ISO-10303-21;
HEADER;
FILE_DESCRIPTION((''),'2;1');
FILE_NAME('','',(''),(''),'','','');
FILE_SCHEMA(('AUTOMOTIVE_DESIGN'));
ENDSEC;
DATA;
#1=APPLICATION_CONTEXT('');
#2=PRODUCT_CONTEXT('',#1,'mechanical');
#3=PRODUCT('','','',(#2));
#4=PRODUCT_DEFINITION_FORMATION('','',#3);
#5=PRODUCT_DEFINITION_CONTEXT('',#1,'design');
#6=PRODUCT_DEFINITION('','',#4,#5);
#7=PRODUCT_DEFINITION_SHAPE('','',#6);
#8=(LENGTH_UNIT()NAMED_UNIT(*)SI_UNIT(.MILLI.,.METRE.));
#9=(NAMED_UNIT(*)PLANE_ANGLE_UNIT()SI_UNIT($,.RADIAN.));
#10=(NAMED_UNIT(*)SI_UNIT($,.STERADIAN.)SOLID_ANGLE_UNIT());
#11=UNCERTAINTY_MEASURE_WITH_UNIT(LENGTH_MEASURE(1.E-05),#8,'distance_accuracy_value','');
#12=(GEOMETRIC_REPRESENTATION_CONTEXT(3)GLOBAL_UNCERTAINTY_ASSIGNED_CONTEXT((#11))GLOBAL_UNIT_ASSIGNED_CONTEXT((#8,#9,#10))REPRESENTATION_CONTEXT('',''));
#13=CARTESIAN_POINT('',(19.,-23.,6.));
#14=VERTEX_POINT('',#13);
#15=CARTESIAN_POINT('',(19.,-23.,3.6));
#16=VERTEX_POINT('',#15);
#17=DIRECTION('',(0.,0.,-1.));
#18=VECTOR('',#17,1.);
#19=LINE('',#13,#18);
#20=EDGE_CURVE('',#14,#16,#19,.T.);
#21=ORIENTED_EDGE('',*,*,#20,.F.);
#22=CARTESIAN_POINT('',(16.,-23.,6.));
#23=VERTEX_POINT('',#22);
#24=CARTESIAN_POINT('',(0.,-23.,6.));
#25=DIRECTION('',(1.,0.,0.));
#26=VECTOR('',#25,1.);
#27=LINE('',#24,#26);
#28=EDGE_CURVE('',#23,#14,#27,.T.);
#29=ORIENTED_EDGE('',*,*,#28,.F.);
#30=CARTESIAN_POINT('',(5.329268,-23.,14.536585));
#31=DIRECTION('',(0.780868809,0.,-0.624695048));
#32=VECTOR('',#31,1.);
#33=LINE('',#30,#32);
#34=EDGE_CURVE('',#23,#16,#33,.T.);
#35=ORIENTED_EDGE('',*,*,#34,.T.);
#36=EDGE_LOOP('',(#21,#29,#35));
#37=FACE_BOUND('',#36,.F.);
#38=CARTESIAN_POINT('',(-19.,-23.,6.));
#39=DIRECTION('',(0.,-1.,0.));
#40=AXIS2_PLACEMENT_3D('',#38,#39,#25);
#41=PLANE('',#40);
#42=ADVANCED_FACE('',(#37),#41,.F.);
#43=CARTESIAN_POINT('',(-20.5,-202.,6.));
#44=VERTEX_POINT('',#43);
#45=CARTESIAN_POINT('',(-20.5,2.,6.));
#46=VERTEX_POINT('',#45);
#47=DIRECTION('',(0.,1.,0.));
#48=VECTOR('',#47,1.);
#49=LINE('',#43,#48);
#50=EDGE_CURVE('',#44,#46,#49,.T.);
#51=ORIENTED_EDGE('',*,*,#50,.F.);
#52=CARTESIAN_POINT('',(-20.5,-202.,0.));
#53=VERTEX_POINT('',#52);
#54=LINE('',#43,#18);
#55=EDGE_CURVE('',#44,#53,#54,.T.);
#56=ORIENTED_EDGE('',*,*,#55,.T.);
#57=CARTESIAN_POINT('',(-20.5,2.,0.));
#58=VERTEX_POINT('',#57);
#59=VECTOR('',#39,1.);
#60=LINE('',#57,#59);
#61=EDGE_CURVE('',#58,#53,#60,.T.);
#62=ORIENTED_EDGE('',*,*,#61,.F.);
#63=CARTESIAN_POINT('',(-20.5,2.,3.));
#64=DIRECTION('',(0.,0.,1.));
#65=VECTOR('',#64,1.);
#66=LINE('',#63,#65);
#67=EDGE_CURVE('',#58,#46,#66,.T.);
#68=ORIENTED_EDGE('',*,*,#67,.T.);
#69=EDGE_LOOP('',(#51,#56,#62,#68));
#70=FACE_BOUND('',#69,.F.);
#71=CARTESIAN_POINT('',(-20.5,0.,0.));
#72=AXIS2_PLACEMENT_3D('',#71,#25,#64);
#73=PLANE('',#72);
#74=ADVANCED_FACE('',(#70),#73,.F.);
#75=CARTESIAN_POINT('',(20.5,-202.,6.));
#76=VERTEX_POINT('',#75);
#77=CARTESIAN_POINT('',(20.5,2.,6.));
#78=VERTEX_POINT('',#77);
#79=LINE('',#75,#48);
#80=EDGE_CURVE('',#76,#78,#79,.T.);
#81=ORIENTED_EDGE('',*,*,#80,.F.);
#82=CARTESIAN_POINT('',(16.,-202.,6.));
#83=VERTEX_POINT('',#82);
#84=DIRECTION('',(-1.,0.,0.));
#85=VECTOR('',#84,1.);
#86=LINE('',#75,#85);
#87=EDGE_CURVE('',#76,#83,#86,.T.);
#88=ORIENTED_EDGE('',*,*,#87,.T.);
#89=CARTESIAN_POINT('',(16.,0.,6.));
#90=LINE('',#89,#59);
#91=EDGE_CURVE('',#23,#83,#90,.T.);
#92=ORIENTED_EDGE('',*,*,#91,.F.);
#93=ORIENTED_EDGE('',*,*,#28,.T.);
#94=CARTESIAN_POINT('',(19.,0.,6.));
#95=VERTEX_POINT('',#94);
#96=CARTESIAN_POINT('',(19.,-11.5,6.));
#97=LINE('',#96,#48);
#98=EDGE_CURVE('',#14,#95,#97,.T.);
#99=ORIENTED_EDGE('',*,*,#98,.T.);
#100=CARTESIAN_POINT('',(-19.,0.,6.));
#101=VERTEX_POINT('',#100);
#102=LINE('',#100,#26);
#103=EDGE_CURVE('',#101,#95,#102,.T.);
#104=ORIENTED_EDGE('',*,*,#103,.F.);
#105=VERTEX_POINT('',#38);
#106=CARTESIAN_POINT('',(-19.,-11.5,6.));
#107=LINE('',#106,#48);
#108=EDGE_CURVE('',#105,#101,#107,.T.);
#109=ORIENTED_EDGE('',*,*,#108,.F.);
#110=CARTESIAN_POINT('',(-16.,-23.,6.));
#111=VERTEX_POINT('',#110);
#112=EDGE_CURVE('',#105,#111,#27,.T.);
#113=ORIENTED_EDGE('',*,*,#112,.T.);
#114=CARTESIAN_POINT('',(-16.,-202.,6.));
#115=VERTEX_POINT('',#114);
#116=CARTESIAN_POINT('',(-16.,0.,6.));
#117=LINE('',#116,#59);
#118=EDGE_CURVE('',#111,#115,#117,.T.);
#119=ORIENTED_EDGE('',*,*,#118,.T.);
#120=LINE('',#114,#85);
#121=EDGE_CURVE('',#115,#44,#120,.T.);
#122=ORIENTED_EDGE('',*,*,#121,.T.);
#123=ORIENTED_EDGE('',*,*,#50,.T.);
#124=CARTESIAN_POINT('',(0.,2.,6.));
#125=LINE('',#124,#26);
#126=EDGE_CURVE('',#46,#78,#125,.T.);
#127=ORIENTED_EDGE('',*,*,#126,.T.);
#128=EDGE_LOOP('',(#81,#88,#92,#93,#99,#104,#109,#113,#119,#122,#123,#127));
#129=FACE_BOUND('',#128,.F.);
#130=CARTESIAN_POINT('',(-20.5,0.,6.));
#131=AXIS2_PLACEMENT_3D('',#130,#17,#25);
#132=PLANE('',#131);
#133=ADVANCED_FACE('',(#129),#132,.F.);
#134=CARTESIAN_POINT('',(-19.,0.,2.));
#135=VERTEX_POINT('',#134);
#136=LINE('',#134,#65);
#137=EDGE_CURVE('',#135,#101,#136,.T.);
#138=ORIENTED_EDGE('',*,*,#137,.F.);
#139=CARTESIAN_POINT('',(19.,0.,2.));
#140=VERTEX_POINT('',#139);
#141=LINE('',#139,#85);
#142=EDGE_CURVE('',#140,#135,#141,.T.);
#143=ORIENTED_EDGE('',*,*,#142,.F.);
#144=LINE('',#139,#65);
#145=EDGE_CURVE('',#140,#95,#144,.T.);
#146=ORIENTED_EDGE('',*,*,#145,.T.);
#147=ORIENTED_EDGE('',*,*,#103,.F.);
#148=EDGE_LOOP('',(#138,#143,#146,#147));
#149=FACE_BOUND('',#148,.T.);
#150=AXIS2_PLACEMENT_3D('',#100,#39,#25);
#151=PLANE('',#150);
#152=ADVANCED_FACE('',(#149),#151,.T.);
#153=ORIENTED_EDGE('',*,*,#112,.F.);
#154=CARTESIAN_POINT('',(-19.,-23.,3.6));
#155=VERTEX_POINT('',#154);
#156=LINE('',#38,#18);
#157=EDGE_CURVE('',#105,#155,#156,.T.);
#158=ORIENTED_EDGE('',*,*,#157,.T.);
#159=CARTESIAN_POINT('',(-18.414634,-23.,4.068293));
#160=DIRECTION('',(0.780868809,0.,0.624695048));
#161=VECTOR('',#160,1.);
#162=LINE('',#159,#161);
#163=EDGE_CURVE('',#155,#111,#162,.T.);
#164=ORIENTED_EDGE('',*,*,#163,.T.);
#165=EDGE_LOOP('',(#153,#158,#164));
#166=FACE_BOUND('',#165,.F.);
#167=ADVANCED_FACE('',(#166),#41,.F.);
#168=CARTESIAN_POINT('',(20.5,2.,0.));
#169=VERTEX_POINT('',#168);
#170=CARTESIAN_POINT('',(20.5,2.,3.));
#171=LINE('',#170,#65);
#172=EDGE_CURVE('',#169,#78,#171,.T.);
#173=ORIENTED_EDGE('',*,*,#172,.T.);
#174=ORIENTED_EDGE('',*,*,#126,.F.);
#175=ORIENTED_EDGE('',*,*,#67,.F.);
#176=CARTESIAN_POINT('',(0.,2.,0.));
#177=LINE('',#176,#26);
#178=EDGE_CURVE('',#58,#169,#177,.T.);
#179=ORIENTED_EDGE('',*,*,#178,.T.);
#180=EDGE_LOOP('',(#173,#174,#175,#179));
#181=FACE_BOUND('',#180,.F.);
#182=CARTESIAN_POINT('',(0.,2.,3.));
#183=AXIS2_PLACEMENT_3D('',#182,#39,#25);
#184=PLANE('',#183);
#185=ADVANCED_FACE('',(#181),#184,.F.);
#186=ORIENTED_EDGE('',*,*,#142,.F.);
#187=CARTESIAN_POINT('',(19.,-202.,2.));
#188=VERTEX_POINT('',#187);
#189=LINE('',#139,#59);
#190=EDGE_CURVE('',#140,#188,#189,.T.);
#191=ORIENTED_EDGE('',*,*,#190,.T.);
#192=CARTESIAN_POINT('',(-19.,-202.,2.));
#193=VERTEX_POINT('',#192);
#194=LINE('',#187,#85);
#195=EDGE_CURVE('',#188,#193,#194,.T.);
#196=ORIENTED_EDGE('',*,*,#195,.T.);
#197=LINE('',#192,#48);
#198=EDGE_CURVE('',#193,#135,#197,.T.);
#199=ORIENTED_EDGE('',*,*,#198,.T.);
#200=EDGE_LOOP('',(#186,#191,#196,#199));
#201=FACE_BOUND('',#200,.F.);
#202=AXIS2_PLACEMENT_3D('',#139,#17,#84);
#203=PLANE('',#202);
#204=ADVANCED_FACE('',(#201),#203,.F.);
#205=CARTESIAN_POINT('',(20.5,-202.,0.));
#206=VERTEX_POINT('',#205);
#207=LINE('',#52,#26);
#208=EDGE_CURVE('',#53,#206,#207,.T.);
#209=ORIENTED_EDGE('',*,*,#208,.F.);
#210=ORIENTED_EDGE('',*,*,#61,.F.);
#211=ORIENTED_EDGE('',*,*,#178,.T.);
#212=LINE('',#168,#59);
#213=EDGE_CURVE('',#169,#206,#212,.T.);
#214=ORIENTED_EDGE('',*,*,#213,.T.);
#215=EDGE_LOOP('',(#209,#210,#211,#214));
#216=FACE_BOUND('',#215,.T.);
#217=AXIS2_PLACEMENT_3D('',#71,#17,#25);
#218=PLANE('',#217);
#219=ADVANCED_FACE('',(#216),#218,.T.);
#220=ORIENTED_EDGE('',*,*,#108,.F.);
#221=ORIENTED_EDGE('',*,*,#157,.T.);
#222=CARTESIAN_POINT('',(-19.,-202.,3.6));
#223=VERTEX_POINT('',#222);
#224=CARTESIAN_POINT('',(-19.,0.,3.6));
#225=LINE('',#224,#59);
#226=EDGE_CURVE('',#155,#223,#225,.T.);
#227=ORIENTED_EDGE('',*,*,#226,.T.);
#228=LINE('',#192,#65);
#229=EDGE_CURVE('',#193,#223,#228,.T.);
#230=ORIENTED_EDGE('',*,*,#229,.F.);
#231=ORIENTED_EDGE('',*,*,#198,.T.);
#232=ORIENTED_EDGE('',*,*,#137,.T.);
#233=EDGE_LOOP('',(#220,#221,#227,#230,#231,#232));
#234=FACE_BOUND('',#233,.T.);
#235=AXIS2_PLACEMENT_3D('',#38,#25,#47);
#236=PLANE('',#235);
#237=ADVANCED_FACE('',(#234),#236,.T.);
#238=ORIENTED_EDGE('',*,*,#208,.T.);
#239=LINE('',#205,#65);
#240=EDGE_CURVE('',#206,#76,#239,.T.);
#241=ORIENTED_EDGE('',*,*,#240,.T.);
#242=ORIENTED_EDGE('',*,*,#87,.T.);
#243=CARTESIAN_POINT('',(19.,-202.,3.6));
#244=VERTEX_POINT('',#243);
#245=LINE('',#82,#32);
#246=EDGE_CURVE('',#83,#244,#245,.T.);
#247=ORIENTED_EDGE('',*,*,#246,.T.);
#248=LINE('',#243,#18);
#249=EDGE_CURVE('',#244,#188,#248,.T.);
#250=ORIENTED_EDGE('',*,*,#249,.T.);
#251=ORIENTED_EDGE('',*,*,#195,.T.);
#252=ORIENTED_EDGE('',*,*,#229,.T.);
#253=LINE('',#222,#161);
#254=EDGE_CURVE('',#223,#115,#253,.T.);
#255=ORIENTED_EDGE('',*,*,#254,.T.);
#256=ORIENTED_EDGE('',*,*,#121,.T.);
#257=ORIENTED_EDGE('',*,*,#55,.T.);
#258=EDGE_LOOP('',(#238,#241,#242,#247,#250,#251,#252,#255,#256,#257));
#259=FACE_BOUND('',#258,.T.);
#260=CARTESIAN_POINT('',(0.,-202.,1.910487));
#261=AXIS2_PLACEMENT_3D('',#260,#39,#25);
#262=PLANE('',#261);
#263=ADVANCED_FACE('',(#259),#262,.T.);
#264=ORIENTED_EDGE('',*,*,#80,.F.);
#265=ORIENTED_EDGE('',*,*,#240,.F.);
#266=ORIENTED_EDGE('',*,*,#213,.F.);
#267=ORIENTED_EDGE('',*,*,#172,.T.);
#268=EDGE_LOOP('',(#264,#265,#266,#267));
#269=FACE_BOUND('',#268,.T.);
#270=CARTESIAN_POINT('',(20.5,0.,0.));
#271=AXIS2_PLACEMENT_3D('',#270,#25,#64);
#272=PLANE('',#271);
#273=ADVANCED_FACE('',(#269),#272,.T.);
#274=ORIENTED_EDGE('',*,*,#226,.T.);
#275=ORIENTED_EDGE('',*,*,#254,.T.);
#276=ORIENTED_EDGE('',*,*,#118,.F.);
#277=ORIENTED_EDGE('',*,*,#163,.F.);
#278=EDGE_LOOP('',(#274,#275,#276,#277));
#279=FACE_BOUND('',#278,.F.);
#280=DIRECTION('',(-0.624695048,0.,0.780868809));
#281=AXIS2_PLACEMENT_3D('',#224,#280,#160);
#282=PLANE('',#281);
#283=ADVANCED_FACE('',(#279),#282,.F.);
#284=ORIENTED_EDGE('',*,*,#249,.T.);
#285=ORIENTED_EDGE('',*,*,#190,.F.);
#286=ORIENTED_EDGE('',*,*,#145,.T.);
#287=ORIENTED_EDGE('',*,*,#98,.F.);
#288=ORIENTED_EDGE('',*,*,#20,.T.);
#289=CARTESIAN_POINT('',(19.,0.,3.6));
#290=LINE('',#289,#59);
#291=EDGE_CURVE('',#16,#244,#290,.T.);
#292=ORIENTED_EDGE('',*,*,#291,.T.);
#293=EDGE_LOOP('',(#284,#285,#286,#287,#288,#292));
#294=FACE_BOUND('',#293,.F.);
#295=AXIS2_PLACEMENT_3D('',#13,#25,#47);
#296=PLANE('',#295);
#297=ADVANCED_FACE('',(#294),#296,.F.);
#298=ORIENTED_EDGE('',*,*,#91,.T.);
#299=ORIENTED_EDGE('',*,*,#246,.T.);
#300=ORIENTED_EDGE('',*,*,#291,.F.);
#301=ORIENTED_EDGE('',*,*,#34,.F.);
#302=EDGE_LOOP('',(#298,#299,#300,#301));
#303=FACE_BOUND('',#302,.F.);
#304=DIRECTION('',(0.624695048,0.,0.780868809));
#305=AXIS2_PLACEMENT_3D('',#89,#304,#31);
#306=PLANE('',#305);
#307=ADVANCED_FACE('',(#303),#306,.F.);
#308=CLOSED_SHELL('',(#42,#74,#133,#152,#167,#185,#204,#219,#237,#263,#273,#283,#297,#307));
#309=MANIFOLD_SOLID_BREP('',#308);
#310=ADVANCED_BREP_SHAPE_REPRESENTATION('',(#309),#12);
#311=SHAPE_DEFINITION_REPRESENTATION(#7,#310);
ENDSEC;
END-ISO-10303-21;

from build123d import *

# Parameters (mm, degrees)
F1_DEPTH = 202
F2_W     = 41
F2_H     = 6
F3_DEPTH = 2
F5_W     = 38
F5_H     = 23
F6_DEPTH = 4


with BuildPart() as f1:
    # F0 (on Front) → F1 (new body)
    with BuildSketch(Plane.XZ):
        Polygon((-20.5, 6), (-20.5, 0), (20.5, 0), (20.5, 6), (16, 6), (19, 3.6), (19, 2), (-19, 2), (-19, 3.6), (-16, 6), align=None)
    extrude(amount=F1_DEPTH)

    # F2 (on Front) → F3 (join)
    with BuildSketch(Plane.XZ):
        with Locations((0, 3)):
            Rectangle(F2_W, F2_H)
    extrude(amount=-F3_DEPTH)

    # F5 (on offset) → F6 (cut)
    with BuildSketch(Plane.XY.offset(6)):
        with Locations((0, -11.5)):
            Rectangle(F5_W, F5_H)
    extrude(amount=-F6_DEPTH, mode=Mode.SUBTRACT)


solid = f1.part
